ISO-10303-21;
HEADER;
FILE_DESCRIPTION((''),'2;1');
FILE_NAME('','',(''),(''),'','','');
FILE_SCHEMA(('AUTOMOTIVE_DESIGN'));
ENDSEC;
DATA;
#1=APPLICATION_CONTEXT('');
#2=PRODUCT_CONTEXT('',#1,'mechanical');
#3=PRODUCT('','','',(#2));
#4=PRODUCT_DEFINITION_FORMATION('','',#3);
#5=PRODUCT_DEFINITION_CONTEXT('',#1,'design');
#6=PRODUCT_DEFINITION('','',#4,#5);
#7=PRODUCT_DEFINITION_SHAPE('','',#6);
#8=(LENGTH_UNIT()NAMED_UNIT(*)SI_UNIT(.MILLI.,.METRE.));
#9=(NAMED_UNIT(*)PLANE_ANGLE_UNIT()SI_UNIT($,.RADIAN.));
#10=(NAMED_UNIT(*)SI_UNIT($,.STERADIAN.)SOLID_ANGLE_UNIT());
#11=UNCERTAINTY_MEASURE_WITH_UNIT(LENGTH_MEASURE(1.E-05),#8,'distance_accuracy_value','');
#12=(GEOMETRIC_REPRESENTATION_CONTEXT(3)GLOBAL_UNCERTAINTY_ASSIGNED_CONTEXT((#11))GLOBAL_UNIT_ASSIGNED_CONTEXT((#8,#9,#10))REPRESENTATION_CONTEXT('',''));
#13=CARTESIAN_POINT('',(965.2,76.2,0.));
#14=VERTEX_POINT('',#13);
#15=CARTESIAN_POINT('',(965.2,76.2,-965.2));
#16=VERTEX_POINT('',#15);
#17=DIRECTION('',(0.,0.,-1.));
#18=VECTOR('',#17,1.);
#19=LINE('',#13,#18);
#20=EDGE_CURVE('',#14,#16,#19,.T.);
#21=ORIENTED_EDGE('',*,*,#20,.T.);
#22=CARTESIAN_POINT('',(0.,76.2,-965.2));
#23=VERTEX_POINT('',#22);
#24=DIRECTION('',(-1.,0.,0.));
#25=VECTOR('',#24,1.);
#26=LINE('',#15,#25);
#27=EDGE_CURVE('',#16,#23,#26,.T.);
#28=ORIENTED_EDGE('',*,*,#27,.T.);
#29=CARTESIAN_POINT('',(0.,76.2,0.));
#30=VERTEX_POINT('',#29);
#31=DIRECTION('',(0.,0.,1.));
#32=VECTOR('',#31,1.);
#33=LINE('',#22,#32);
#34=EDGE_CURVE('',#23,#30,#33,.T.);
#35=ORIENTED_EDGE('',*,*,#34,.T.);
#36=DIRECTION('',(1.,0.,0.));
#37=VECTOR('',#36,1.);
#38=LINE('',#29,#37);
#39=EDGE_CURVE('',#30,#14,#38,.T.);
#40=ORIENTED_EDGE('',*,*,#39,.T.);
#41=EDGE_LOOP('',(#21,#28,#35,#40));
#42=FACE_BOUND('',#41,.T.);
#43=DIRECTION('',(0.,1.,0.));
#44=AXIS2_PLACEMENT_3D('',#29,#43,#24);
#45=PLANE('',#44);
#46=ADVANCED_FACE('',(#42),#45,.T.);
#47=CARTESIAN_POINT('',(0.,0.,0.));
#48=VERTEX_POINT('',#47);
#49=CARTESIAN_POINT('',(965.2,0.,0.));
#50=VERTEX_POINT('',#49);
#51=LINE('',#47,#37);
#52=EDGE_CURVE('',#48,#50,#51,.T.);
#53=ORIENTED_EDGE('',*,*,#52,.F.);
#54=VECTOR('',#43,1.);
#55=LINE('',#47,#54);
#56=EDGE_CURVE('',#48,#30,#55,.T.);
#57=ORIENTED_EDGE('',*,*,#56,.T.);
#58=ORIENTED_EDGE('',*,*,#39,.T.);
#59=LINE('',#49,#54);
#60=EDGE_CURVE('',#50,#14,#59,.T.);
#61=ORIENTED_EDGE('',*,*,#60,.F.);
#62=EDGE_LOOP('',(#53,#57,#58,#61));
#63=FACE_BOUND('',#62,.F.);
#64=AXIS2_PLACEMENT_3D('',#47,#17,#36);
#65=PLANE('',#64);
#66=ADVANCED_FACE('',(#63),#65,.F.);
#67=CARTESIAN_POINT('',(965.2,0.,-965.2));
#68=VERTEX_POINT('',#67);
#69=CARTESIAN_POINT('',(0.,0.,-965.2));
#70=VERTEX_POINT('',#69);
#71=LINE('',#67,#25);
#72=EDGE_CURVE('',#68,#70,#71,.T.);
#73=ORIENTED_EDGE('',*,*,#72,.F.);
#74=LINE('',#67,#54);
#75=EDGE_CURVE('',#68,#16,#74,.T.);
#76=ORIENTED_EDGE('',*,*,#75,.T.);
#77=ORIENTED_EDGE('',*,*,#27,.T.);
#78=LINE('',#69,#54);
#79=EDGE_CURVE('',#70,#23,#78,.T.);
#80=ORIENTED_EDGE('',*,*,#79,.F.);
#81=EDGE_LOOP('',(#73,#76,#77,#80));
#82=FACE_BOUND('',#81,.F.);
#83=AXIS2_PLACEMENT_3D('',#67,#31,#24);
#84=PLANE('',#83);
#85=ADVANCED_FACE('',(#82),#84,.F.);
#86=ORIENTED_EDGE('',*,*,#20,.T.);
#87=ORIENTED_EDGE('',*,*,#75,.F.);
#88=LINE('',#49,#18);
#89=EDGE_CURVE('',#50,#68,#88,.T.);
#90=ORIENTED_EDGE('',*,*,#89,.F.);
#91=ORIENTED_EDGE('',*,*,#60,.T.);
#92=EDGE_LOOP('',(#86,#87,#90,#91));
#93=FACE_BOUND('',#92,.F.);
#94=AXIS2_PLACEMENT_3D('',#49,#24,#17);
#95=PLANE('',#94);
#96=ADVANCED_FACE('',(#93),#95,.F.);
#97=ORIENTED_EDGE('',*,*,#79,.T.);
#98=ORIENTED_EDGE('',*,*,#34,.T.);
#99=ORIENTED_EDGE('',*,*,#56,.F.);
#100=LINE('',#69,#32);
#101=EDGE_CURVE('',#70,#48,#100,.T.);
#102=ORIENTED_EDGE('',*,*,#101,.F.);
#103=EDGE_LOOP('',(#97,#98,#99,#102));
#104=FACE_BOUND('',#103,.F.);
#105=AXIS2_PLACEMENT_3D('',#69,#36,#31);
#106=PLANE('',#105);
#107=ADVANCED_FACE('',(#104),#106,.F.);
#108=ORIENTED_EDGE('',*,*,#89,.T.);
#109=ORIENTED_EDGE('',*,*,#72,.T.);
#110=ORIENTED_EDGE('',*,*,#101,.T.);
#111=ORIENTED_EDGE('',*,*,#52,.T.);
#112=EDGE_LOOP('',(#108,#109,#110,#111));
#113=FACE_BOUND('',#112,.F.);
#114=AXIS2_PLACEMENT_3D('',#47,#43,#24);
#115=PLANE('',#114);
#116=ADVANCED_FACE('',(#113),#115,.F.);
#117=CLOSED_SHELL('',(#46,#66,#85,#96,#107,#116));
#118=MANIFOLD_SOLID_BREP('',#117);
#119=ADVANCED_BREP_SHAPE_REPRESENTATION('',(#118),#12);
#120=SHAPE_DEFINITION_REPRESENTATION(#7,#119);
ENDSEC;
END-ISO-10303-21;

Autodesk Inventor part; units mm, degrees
ref_plane "YZ Plane" through (0, 0, 0) normal (1, 0, 0) x (0, 1, 0)
ref_plane "XZ Plane" through (0, 0, 0) normal (0, 1, 0) x (-1, 0, 0)
ref_plane "XY Plane" through (0, 0, 0) normal (0, 0, 1) x (1, 0, 0)
sketch "Sketch2" plane through (0, 0, 0) normal (0, 1, 0) x (-1, 0, 0)
  line L0 (0, 0) -> (-965.2, 0)
  line L1 (-965.2, 0) -> (-965.2, -965.2)
  line L2 (-965.2, -965.2) -> (0, -965.2)
  line L3 (0, -965.2) -> (0, 0)
  dimension "d3" = 965.2
  dimension "d4" = 965.2
extrude "Extrusion1" add sketch "Sketch2" along normal blind 76.2
